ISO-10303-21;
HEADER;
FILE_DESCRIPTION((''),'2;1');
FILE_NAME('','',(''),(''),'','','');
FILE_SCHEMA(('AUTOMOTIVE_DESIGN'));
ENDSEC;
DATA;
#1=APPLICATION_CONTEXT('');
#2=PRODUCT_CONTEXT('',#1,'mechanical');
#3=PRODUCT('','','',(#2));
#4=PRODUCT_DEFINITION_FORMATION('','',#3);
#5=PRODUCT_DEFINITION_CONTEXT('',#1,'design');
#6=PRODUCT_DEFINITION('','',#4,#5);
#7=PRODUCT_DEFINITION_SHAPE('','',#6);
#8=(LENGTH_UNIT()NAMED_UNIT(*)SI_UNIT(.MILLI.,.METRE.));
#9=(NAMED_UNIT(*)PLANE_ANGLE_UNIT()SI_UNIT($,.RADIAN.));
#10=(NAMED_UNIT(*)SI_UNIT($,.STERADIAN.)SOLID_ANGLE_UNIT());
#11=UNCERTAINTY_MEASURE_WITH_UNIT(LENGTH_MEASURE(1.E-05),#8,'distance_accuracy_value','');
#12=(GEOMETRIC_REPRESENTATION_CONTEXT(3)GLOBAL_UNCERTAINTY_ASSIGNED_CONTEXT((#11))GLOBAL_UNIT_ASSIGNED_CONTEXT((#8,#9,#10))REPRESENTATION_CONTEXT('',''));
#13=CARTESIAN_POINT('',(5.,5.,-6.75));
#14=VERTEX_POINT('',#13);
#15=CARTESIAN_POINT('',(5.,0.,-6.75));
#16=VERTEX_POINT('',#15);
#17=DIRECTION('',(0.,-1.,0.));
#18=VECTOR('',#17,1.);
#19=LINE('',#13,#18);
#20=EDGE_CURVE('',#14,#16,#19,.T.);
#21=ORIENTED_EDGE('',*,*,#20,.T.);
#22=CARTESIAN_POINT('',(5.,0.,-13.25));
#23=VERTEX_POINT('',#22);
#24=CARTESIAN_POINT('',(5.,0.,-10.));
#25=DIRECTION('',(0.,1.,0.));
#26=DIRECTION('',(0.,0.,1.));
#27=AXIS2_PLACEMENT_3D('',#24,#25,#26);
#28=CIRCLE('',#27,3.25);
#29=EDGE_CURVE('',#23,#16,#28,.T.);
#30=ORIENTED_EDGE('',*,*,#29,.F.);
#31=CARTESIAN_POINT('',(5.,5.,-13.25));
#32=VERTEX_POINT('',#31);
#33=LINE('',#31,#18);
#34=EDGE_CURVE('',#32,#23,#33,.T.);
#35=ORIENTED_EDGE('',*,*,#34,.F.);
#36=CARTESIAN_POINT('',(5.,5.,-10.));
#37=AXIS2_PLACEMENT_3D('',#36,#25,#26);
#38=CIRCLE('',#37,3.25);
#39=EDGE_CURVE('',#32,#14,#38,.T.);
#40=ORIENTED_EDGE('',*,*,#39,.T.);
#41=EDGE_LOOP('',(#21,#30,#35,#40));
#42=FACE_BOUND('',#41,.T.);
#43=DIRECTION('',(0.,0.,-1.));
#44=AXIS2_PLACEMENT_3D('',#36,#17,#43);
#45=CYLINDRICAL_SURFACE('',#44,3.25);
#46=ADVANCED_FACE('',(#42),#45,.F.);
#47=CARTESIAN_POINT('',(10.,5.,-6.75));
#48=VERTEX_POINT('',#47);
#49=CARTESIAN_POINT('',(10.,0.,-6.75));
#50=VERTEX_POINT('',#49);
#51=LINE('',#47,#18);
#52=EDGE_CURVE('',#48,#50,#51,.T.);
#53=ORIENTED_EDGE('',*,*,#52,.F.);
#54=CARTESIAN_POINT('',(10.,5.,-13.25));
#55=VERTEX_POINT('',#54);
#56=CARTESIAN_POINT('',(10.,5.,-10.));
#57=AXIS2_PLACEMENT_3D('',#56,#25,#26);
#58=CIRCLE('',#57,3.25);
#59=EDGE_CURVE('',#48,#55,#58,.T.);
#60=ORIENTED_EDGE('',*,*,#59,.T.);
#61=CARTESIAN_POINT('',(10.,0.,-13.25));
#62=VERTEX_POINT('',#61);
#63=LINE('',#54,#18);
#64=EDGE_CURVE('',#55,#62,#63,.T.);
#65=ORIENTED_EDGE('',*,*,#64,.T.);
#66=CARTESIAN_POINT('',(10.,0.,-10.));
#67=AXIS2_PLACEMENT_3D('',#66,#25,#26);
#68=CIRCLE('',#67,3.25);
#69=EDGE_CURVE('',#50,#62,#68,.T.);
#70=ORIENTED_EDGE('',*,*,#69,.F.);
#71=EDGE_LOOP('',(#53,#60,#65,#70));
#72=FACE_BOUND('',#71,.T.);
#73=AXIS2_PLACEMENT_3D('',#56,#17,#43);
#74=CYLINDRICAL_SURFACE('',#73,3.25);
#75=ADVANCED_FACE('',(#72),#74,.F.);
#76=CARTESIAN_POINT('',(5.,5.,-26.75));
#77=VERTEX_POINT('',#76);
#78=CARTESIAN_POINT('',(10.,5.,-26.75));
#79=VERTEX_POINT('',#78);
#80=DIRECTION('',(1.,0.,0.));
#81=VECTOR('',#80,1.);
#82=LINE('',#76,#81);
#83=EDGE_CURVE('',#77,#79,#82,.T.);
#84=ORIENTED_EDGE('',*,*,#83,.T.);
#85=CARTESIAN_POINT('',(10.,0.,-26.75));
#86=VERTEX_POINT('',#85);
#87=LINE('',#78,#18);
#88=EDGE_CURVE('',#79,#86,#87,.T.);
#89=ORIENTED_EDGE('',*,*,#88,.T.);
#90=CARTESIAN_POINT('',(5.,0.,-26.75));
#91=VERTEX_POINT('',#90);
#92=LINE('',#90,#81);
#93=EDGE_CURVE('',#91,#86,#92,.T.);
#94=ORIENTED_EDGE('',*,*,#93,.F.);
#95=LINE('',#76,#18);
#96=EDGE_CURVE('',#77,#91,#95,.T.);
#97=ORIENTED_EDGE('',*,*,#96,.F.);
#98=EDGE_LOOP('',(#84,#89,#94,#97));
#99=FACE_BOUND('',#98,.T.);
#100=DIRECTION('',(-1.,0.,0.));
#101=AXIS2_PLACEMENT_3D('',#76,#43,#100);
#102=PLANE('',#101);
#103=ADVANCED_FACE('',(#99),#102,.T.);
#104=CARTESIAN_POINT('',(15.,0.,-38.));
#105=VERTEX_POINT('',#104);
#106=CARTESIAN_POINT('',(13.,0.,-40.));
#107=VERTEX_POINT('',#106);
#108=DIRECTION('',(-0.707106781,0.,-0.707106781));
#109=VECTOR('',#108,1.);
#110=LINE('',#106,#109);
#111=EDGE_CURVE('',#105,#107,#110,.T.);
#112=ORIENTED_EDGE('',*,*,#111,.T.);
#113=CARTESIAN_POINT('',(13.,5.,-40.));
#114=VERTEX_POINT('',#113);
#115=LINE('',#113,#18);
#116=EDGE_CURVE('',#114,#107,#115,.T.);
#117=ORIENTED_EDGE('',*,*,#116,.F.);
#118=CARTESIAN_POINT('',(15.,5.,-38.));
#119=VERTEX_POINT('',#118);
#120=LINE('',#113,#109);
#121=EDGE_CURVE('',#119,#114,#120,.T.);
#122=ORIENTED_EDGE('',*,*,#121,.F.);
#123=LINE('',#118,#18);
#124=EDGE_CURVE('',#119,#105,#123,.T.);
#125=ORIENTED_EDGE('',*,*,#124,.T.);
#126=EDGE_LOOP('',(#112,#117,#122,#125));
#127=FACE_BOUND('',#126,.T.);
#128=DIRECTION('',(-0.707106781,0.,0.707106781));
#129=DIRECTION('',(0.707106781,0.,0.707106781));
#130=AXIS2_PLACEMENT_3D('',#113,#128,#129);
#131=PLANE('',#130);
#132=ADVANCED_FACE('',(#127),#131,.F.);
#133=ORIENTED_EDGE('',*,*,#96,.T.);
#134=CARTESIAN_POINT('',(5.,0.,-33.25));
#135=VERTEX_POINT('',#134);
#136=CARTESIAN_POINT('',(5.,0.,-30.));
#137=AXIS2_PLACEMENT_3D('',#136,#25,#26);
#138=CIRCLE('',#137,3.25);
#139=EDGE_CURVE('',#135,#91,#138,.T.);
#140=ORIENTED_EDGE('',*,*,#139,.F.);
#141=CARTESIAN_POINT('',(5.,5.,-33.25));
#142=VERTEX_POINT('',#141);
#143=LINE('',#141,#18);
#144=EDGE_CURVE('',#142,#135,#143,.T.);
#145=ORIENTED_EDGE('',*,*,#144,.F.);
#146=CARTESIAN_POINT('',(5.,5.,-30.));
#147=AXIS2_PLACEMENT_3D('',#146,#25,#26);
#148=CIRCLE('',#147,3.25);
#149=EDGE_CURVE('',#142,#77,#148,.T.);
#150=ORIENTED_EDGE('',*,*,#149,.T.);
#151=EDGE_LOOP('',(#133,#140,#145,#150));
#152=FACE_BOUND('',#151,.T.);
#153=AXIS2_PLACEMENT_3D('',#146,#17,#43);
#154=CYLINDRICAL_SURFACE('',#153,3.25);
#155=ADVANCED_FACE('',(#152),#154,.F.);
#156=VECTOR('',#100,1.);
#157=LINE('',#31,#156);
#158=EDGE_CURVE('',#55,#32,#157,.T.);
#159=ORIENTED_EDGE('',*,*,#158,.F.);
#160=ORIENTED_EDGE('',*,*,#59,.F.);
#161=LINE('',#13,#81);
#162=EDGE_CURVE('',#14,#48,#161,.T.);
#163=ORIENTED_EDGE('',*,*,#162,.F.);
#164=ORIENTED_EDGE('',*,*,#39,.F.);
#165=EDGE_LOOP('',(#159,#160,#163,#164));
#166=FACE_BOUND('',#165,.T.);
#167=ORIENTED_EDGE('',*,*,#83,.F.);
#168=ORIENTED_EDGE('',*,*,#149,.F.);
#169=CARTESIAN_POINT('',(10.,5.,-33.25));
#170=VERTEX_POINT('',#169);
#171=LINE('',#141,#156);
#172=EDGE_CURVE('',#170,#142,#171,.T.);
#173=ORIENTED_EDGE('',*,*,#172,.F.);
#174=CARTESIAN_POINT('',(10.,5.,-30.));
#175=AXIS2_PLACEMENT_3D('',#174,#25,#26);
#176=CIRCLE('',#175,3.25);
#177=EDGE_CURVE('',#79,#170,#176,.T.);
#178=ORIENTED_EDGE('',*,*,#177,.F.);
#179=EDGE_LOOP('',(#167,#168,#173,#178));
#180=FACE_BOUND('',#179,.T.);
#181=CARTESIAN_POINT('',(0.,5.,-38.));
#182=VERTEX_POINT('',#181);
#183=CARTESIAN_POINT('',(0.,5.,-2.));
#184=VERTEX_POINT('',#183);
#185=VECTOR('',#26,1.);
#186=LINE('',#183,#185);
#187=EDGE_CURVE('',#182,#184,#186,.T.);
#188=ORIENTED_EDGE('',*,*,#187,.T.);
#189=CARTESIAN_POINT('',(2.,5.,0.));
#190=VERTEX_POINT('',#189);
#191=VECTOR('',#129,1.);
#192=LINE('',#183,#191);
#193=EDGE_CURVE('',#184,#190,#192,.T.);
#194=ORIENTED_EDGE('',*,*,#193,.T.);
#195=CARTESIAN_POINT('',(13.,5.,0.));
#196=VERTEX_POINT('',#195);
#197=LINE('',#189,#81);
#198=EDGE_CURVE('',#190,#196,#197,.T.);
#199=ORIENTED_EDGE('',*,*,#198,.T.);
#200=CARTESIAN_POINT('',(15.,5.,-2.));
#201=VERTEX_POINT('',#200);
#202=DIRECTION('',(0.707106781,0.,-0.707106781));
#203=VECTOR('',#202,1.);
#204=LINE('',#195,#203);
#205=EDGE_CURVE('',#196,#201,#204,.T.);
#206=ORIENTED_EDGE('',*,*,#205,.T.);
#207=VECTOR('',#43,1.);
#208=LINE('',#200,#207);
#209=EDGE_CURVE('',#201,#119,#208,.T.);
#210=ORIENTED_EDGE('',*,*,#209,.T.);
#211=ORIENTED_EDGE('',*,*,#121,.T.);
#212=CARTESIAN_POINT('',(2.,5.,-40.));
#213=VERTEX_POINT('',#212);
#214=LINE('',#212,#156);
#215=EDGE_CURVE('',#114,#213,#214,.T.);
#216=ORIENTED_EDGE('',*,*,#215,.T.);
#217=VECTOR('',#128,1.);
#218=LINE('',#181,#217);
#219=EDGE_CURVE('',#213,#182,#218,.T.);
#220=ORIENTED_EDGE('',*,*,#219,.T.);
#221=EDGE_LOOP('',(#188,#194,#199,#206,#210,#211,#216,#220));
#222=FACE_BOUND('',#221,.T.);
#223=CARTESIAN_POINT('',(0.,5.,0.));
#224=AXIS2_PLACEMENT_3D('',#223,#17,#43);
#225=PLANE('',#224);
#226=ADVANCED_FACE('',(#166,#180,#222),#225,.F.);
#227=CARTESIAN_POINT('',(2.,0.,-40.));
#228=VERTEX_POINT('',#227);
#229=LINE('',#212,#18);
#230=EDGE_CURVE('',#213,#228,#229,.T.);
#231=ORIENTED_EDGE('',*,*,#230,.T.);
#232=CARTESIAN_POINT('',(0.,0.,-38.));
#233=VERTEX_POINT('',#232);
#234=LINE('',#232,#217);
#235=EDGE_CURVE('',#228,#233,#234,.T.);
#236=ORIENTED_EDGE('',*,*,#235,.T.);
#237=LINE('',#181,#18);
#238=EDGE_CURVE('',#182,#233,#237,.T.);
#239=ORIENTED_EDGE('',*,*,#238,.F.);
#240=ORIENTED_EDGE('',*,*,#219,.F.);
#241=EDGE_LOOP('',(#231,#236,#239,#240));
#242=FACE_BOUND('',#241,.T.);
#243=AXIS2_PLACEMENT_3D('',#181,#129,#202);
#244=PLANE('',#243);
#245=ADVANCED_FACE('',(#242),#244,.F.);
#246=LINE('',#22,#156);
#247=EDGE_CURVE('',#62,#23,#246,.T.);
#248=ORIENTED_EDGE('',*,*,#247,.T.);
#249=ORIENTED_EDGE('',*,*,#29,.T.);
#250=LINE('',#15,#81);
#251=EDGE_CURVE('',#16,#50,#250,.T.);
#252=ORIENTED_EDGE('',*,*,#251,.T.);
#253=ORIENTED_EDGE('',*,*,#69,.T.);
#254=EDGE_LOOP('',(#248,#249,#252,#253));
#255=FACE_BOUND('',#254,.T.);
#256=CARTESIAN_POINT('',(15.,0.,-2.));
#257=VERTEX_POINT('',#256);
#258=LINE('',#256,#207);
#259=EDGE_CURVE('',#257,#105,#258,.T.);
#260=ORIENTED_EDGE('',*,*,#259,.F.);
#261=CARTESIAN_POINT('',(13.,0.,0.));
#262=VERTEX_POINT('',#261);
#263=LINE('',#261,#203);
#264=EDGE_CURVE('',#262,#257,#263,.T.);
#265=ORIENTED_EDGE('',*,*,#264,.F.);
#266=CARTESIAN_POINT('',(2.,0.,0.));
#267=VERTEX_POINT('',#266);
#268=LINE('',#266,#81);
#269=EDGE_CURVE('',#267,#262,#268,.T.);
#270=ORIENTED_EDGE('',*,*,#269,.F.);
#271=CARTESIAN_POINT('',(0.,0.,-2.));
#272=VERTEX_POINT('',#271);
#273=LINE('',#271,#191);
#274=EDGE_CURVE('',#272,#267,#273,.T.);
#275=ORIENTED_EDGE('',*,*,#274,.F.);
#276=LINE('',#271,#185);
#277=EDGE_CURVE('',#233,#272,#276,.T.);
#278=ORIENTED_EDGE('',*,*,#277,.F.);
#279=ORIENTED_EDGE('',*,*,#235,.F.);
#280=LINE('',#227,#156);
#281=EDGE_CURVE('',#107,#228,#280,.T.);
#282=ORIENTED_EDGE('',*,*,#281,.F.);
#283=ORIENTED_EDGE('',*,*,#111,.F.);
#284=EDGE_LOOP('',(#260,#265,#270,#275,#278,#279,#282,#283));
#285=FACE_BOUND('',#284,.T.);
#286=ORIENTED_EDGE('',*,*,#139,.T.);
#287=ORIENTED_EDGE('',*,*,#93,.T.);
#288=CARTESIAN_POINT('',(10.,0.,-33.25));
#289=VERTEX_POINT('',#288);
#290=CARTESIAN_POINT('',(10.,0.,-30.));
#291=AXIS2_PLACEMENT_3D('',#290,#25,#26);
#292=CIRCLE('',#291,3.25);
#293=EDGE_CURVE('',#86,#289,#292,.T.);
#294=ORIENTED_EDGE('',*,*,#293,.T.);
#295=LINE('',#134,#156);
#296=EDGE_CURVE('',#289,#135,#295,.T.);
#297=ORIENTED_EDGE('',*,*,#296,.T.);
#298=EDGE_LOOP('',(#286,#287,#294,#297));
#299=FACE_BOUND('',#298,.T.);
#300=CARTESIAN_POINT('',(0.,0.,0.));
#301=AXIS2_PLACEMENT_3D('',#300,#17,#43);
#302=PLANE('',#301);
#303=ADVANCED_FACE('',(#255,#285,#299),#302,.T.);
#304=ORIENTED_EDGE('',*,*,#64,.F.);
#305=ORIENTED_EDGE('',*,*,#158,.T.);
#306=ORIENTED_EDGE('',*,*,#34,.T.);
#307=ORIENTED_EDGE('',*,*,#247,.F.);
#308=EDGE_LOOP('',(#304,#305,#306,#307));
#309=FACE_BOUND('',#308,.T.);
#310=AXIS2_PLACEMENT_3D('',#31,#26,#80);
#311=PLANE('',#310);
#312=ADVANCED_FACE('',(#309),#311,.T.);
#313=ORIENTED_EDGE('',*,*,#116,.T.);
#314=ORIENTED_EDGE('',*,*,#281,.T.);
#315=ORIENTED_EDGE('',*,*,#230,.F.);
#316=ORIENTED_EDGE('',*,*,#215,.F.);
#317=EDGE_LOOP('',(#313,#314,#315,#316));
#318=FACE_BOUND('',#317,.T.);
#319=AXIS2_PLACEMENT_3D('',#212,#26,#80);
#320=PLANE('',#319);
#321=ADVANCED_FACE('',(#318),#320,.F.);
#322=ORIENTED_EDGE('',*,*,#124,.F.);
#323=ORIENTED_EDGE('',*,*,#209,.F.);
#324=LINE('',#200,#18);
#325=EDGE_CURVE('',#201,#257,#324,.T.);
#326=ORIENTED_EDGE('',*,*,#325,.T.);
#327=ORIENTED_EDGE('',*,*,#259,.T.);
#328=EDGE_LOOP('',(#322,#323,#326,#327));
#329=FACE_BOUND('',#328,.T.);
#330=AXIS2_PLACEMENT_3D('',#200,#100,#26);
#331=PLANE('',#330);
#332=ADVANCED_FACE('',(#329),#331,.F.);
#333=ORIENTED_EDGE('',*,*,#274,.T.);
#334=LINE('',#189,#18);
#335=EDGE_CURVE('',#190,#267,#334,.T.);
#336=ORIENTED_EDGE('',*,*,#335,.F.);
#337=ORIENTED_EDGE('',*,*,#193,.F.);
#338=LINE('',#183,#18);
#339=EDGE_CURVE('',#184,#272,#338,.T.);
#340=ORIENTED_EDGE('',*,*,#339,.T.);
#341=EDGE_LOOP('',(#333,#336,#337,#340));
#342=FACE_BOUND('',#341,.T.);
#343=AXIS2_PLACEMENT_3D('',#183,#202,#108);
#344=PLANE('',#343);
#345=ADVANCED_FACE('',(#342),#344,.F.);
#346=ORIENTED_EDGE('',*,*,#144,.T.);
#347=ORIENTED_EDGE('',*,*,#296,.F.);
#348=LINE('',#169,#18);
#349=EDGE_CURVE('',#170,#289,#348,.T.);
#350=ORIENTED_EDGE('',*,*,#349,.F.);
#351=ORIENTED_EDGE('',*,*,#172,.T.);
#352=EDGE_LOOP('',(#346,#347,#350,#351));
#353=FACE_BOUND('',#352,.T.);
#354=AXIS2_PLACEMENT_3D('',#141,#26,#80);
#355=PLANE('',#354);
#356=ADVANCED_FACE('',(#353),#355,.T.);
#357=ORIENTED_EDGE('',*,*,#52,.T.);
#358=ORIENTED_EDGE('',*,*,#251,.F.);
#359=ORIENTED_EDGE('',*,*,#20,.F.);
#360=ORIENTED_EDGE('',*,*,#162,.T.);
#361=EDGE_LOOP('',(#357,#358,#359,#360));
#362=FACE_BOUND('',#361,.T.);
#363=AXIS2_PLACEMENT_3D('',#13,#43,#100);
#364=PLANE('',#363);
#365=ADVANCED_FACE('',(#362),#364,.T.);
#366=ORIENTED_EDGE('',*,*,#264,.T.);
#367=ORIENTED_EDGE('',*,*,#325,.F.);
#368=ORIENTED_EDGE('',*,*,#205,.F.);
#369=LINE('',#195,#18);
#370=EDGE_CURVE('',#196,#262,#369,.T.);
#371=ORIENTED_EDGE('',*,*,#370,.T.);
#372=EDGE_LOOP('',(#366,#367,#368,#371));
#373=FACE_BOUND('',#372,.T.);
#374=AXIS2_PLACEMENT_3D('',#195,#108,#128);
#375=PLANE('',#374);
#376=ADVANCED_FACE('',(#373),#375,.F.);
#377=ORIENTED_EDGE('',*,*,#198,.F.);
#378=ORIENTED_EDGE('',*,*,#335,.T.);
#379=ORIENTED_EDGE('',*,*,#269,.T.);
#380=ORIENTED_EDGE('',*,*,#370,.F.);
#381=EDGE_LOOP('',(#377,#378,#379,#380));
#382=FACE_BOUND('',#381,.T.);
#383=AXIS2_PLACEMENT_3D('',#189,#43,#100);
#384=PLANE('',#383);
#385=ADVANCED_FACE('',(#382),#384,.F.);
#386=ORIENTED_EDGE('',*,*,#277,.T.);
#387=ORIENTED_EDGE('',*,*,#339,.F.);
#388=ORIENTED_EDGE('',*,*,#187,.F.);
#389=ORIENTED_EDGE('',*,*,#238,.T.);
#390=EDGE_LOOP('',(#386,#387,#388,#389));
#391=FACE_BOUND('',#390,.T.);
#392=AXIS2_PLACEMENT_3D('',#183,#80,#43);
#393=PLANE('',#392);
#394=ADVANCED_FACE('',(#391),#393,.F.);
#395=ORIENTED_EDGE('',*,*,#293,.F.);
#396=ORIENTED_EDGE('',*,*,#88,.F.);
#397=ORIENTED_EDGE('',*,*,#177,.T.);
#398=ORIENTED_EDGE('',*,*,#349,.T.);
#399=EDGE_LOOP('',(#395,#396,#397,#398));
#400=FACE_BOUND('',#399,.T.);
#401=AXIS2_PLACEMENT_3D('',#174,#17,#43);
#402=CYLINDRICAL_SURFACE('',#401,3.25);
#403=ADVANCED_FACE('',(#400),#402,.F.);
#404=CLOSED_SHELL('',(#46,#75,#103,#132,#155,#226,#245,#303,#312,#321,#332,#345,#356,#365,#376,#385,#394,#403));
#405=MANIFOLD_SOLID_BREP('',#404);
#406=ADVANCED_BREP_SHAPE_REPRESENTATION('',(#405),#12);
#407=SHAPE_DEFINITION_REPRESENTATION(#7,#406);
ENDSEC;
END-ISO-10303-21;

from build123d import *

# Parameters (mm, degrees)
BOSS_EXTRUDE1_DEPTH = 5


with BuildPart() as part:
    # Sketch1 → Boss-Extrude1 (new body)
    with BuildSketch(Plane(origin=(0, 0, 0), x_dir=(1, 0, 0), z_dir=(0, 1, 0))):
        Polygon((0, 38), (2, 40), (13, 40), (15, 38), (15, 2), (13, 0), (2, 0), (0, 2), align=None)
        with BuildLine():
            Line((5, 33.25), (10, 33.25))
            ThreePointArc((10, 33.25), (13.25, 30), (10, 26.75))
            Line((10, 26.75), (5, 26.75))
            ThreePointArc((5, 26.75), (1.75, 30), (5, 33.25))
        make_face(mode=Mode.SUBTRACT)
        with BuildLine():
            Line((5, 13.25), (10, 13.25))
            ThreePointArc((10, 13.25), (13.25, 10), (10, 6.75))
            Line((10, 6.75), (5, 6.75))
            ThreePointArc((5, 6.75), (1.75, 10), (5, 13.25))
        make_face(mode=Mode.SUBTRACT)
    extrude(amount=BOSS_EXTRUDE1_DEPTH)


solid = part.part
